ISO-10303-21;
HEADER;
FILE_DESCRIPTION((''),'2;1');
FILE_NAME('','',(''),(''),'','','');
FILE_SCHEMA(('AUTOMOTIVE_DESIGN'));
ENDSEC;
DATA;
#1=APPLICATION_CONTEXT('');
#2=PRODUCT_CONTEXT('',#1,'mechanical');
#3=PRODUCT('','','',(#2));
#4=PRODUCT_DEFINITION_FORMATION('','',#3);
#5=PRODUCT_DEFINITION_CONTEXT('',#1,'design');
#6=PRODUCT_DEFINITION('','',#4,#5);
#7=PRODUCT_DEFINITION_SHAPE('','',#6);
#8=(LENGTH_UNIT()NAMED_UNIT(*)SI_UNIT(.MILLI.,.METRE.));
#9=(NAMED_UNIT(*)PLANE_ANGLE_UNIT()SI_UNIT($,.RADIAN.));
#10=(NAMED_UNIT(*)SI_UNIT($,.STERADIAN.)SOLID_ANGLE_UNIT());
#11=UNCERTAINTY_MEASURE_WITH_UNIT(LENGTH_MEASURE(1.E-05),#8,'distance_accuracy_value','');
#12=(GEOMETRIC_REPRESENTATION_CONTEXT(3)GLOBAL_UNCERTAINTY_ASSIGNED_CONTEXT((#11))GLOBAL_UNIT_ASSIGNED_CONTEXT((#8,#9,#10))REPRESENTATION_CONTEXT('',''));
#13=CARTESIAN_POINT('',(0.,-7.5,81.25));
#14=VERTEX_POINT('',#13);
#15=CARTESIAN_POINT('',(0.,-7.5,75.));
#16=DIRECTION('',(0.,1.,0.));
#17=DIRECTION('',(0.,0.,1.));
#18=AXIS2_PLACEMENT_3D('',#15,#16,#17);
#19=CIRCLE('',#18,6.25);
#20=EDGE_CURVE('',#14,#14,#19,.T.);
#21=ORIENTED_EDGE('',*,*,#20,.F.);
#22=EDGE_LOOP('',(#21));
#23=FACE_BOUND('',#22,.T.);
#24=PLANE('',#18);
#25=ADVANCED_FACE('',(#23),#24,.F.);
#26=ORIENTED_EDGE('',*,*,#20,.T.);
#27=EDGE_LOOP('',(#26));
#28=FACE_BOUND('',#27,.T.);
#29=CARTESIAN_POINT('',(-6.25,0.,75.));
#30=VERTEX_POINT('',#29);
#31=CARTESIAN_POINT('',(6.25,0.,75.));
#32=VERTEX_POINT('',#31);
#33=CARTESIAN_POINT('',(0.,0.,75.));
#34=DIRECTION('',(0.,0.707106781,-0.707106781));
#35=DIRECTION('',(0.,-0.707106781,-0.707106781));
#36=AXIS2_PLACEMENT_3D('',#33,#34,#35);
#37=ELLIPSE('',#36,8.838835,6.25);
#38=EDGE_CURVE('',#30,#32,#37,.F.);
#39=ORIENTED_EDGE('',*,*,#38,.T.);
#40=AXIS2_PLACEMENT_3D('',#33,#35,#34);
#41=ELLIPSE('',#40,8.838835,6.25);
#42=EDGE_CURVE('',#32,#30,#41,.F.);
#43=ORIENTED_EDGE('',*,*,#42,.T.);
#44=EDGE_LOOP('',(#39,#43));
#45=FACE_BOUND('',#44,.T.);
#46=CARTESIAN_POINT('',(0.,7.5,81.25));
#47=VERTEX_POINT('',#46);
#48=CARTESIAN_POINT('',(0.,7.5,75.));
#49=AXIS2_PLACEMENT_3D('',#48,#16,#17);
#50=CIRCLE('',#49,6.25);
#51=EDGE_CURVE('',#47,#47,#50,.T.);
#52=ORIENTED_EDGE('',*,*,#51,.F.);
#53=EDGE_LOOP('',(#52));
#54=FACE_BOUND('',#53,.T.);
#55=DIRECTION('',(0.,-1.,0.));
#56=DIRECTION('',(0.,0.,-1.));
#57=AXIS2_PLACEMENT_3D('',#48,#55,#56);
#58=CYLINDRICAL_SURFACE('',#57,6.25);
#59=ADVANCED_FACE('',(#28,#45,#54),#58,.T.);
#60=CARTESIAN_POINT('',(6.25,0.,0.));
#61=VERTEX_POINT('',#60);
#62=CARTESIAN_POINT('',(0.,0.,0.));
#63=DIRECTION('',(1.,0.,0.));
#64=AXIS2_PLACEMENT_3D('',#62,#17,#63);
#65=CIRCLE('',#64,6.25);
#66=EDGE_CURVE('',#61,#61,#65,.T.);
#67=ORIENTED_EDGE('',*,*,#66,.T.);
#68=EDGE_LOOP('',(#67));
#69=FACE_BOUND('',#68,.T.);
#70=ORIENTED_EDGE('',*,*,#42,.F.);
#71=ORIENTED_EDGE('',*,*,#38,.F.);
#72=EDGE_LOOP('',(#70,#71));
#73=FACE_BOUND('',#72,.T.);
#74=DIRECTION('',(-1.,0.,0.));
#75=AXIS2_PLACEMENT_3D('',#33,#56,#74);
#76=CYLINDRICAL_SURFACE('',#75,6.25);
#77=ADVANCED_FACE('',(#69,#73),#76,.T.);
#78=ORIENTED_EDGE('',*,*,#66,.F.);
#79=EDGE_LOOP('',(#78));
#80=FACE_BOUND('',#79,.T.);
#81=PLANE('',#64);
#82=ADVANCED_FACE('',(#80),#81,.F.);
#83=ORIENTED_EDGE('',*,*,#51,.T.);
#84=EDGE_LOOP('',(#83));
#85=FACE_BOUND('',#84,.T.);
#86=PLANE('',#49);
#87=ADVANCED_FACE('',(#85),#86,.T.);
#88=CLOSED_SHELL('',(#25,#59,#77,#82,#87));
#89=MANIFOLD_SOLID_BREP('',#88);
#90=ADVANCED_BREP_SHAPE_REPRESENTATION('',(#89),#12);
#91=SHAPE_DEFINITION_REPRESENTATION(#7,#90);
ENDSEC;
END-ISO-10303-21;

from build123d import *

# Parameters (mm, degrees)
CROQUIS1_R              = 6.25
SALIENTE_EXTRUIR1_DEPTH = 75
CROQUIS2_R              = 6.25
SALIENTE_EXTRUIR2_DEPTH = 7.5


with BuildPart() as part:
    # Croquis1 → Saliente-Extruir1 (new body)
    with BuildSketch(Plane.XY):
        Circle(CROQUIS1_R)
    extrude(amount=SALIENTE_EXTRUIR1_DEPTH)

    # Croquis2 → Saliente-Extruir2 (add, symmetric)
    with BuildSketch(Plane(origin=(0, 0, 0), x_dir=(1, 0, 0), z_dir=(0, 1, 0))):
        with Locations(Location((0, -75, 0), (0, 0, 270))):
            Circle(CROQUIS2_R)
    extrude(amount=SALIENTE_EXTRUIR2_DEPTH, both=True)


solid = part.part
